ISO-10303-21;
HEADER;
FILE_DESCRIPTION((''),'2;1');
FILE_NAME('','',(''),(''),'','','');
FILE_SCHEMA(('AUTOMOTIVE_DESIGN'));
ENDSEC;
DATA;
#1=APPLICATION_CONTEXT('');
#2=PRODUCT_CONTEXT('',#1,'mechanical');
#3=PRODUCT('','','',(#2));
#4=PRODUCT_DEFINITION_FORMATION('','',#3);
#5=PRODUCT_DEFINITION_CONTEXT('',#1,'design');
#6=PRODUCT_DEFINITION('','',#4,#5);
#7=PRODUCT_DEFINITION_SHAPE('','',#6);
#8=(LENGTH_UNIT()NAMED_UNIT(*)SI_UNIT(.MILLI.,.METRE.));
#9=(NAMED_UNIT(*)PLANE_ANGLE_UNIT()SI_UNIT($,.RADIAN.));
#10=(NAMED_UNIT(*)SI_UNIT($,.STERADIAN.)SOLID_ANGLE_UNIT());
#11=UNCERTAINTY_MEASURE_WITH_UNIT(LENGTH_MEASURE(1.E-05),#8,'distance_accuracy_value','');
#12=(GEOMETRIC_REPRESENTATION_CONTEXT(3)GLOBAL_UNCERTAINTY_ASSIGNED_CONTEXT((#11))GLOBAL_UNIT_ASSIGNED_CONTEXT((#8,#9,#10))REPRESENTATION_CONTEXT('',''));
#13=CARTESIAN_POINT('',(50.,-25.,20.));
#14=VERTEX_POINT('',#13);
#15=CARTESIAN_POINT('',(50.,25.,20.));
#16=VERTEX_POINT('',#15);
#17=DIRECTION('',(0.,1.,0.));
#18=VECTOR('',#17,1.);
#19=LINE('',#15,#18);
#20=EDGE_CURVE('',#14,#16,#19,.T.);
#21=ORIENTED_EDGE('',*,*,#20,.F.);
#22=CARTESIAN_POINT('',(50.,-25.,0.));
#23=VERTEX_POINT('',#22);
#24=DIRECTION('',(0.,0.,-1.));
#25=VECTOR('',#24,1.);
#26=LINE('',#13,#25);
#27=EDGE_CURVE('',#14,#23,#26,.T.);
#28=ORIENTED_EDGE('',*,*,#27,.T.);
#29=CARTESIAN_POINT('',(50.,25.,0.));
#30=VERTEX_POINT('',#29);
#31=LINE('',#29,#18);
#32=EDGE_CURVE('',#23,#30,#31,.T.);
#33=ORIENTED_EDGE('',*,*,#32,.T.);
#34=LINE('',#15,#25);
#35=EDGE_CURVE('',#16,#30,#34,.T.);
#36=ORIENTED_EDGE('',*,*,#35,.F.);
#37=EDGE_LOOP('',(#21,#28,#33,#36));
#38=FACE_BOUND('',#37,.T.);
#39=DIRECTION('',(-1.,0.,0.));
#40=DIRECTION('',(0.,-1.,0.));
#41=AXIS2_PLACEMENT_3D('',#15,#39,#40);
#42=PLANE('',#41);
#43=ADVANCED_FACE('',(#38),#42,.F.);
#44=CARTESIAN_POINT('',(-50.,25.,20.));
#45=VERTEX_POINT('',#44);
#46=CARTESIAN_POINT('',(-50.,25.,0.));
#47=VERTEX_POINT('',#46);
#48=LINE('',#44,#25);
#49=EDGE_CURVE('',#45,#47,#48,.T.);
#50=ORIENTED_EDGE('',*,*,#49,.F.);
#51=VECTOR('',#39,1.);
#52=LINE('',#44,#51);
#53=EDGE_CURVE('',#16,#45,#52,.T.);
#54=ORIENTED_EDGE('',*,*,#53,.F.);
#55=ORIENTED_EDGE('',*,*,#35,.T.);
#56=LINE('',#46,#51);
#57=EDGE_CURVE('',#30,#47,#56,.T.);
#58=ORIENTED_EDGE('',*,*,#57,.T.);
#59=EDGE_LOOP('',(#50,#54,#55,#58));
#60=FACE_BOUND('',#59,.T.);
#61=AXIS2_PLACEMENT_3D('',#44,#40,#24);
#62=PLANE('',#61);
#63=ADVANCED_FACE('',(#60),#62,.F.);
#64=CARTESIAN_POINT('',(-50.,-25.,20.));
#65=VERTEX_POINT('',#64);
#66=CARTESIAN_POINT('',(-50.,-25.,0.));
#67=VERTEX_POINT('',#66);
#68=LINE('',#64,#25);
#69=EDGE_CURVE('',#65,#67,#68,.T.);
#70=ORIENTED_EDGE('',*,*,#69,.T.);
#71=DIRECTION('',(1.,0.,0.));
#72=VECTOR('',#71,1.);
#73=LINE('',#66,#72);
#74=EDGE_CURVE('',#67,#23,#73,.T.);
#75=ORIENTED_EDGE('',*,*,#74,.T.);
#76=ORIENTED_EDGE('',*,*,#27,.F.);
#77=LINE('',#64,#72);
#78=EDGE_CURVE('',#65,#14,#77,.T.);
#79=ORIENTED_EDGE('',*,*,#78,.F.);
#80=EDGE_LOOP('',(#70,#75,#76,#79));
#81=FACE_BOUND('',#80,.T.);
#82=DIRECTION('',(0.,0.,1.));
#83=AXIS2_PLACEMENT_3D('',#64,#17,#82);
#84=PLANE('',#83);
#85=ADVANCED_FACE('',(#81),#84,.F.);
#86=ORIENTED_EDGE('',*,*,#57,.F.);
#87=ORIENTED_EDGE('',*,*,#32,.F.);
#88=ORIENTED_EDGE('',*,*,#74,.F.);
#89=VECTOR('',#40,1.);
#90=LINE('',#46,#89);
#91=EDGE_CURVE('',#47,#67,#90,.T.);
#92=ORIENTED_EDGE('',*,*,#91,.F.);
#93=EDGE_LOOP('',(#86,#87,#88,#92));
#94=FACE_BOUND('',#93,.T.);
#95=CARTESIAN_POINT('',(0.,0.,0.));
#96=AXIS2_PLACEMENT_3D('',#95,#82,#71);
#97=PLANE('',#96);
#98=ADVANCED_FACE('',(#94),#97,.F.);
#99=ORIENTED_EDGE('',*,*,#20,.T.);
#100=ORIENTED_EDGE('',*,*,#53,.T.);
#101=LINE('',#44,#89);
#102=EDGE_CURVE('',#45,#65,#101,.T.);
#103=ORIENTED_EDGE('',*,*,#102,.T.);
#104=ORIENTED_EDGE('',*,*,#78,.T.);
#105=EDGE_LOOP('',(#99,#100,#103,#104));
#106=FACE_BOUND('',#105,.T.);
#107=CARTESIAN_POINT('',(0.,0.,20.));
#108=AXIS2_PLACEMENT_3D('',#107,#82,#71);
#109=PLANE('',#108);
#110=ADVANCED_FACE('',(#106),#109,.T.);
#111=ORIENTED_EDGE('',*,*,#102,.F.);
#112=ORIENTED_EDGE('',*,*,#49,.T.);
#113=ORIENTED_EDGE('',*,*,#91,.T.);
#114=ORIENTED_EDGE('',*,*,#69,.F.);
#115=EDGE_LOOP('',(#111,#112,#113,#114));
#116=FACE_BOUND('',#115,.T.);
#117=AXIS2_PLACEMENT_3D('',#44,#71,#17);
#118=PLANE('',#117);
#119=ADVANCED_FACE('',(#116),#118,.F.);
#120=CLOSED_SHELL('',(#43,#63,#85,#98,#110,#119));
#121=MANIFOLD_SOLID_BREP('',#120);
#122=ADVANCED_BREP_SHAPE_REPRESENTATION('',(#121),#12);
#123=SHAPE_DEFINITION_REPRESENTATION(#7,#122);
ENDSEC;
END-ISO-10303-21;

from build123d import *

# Parameters (mm, degrees)
CROQUIS1_W              = 100
CROQUIS1_H              = 50
SALIENTE_EXTRUIR1_DEPTH = 20


with BuildPart() as part:
    # Croquis1 → Saliente-Extruir1 (new body)
    with BuildSketch(Plane.XY):
        Rectangle(CROQUIS1_W, CROQUIS1_H)
    extrude(amount=SALIENTE_EXTRUIR1_DEPTH)


solid = part.part
